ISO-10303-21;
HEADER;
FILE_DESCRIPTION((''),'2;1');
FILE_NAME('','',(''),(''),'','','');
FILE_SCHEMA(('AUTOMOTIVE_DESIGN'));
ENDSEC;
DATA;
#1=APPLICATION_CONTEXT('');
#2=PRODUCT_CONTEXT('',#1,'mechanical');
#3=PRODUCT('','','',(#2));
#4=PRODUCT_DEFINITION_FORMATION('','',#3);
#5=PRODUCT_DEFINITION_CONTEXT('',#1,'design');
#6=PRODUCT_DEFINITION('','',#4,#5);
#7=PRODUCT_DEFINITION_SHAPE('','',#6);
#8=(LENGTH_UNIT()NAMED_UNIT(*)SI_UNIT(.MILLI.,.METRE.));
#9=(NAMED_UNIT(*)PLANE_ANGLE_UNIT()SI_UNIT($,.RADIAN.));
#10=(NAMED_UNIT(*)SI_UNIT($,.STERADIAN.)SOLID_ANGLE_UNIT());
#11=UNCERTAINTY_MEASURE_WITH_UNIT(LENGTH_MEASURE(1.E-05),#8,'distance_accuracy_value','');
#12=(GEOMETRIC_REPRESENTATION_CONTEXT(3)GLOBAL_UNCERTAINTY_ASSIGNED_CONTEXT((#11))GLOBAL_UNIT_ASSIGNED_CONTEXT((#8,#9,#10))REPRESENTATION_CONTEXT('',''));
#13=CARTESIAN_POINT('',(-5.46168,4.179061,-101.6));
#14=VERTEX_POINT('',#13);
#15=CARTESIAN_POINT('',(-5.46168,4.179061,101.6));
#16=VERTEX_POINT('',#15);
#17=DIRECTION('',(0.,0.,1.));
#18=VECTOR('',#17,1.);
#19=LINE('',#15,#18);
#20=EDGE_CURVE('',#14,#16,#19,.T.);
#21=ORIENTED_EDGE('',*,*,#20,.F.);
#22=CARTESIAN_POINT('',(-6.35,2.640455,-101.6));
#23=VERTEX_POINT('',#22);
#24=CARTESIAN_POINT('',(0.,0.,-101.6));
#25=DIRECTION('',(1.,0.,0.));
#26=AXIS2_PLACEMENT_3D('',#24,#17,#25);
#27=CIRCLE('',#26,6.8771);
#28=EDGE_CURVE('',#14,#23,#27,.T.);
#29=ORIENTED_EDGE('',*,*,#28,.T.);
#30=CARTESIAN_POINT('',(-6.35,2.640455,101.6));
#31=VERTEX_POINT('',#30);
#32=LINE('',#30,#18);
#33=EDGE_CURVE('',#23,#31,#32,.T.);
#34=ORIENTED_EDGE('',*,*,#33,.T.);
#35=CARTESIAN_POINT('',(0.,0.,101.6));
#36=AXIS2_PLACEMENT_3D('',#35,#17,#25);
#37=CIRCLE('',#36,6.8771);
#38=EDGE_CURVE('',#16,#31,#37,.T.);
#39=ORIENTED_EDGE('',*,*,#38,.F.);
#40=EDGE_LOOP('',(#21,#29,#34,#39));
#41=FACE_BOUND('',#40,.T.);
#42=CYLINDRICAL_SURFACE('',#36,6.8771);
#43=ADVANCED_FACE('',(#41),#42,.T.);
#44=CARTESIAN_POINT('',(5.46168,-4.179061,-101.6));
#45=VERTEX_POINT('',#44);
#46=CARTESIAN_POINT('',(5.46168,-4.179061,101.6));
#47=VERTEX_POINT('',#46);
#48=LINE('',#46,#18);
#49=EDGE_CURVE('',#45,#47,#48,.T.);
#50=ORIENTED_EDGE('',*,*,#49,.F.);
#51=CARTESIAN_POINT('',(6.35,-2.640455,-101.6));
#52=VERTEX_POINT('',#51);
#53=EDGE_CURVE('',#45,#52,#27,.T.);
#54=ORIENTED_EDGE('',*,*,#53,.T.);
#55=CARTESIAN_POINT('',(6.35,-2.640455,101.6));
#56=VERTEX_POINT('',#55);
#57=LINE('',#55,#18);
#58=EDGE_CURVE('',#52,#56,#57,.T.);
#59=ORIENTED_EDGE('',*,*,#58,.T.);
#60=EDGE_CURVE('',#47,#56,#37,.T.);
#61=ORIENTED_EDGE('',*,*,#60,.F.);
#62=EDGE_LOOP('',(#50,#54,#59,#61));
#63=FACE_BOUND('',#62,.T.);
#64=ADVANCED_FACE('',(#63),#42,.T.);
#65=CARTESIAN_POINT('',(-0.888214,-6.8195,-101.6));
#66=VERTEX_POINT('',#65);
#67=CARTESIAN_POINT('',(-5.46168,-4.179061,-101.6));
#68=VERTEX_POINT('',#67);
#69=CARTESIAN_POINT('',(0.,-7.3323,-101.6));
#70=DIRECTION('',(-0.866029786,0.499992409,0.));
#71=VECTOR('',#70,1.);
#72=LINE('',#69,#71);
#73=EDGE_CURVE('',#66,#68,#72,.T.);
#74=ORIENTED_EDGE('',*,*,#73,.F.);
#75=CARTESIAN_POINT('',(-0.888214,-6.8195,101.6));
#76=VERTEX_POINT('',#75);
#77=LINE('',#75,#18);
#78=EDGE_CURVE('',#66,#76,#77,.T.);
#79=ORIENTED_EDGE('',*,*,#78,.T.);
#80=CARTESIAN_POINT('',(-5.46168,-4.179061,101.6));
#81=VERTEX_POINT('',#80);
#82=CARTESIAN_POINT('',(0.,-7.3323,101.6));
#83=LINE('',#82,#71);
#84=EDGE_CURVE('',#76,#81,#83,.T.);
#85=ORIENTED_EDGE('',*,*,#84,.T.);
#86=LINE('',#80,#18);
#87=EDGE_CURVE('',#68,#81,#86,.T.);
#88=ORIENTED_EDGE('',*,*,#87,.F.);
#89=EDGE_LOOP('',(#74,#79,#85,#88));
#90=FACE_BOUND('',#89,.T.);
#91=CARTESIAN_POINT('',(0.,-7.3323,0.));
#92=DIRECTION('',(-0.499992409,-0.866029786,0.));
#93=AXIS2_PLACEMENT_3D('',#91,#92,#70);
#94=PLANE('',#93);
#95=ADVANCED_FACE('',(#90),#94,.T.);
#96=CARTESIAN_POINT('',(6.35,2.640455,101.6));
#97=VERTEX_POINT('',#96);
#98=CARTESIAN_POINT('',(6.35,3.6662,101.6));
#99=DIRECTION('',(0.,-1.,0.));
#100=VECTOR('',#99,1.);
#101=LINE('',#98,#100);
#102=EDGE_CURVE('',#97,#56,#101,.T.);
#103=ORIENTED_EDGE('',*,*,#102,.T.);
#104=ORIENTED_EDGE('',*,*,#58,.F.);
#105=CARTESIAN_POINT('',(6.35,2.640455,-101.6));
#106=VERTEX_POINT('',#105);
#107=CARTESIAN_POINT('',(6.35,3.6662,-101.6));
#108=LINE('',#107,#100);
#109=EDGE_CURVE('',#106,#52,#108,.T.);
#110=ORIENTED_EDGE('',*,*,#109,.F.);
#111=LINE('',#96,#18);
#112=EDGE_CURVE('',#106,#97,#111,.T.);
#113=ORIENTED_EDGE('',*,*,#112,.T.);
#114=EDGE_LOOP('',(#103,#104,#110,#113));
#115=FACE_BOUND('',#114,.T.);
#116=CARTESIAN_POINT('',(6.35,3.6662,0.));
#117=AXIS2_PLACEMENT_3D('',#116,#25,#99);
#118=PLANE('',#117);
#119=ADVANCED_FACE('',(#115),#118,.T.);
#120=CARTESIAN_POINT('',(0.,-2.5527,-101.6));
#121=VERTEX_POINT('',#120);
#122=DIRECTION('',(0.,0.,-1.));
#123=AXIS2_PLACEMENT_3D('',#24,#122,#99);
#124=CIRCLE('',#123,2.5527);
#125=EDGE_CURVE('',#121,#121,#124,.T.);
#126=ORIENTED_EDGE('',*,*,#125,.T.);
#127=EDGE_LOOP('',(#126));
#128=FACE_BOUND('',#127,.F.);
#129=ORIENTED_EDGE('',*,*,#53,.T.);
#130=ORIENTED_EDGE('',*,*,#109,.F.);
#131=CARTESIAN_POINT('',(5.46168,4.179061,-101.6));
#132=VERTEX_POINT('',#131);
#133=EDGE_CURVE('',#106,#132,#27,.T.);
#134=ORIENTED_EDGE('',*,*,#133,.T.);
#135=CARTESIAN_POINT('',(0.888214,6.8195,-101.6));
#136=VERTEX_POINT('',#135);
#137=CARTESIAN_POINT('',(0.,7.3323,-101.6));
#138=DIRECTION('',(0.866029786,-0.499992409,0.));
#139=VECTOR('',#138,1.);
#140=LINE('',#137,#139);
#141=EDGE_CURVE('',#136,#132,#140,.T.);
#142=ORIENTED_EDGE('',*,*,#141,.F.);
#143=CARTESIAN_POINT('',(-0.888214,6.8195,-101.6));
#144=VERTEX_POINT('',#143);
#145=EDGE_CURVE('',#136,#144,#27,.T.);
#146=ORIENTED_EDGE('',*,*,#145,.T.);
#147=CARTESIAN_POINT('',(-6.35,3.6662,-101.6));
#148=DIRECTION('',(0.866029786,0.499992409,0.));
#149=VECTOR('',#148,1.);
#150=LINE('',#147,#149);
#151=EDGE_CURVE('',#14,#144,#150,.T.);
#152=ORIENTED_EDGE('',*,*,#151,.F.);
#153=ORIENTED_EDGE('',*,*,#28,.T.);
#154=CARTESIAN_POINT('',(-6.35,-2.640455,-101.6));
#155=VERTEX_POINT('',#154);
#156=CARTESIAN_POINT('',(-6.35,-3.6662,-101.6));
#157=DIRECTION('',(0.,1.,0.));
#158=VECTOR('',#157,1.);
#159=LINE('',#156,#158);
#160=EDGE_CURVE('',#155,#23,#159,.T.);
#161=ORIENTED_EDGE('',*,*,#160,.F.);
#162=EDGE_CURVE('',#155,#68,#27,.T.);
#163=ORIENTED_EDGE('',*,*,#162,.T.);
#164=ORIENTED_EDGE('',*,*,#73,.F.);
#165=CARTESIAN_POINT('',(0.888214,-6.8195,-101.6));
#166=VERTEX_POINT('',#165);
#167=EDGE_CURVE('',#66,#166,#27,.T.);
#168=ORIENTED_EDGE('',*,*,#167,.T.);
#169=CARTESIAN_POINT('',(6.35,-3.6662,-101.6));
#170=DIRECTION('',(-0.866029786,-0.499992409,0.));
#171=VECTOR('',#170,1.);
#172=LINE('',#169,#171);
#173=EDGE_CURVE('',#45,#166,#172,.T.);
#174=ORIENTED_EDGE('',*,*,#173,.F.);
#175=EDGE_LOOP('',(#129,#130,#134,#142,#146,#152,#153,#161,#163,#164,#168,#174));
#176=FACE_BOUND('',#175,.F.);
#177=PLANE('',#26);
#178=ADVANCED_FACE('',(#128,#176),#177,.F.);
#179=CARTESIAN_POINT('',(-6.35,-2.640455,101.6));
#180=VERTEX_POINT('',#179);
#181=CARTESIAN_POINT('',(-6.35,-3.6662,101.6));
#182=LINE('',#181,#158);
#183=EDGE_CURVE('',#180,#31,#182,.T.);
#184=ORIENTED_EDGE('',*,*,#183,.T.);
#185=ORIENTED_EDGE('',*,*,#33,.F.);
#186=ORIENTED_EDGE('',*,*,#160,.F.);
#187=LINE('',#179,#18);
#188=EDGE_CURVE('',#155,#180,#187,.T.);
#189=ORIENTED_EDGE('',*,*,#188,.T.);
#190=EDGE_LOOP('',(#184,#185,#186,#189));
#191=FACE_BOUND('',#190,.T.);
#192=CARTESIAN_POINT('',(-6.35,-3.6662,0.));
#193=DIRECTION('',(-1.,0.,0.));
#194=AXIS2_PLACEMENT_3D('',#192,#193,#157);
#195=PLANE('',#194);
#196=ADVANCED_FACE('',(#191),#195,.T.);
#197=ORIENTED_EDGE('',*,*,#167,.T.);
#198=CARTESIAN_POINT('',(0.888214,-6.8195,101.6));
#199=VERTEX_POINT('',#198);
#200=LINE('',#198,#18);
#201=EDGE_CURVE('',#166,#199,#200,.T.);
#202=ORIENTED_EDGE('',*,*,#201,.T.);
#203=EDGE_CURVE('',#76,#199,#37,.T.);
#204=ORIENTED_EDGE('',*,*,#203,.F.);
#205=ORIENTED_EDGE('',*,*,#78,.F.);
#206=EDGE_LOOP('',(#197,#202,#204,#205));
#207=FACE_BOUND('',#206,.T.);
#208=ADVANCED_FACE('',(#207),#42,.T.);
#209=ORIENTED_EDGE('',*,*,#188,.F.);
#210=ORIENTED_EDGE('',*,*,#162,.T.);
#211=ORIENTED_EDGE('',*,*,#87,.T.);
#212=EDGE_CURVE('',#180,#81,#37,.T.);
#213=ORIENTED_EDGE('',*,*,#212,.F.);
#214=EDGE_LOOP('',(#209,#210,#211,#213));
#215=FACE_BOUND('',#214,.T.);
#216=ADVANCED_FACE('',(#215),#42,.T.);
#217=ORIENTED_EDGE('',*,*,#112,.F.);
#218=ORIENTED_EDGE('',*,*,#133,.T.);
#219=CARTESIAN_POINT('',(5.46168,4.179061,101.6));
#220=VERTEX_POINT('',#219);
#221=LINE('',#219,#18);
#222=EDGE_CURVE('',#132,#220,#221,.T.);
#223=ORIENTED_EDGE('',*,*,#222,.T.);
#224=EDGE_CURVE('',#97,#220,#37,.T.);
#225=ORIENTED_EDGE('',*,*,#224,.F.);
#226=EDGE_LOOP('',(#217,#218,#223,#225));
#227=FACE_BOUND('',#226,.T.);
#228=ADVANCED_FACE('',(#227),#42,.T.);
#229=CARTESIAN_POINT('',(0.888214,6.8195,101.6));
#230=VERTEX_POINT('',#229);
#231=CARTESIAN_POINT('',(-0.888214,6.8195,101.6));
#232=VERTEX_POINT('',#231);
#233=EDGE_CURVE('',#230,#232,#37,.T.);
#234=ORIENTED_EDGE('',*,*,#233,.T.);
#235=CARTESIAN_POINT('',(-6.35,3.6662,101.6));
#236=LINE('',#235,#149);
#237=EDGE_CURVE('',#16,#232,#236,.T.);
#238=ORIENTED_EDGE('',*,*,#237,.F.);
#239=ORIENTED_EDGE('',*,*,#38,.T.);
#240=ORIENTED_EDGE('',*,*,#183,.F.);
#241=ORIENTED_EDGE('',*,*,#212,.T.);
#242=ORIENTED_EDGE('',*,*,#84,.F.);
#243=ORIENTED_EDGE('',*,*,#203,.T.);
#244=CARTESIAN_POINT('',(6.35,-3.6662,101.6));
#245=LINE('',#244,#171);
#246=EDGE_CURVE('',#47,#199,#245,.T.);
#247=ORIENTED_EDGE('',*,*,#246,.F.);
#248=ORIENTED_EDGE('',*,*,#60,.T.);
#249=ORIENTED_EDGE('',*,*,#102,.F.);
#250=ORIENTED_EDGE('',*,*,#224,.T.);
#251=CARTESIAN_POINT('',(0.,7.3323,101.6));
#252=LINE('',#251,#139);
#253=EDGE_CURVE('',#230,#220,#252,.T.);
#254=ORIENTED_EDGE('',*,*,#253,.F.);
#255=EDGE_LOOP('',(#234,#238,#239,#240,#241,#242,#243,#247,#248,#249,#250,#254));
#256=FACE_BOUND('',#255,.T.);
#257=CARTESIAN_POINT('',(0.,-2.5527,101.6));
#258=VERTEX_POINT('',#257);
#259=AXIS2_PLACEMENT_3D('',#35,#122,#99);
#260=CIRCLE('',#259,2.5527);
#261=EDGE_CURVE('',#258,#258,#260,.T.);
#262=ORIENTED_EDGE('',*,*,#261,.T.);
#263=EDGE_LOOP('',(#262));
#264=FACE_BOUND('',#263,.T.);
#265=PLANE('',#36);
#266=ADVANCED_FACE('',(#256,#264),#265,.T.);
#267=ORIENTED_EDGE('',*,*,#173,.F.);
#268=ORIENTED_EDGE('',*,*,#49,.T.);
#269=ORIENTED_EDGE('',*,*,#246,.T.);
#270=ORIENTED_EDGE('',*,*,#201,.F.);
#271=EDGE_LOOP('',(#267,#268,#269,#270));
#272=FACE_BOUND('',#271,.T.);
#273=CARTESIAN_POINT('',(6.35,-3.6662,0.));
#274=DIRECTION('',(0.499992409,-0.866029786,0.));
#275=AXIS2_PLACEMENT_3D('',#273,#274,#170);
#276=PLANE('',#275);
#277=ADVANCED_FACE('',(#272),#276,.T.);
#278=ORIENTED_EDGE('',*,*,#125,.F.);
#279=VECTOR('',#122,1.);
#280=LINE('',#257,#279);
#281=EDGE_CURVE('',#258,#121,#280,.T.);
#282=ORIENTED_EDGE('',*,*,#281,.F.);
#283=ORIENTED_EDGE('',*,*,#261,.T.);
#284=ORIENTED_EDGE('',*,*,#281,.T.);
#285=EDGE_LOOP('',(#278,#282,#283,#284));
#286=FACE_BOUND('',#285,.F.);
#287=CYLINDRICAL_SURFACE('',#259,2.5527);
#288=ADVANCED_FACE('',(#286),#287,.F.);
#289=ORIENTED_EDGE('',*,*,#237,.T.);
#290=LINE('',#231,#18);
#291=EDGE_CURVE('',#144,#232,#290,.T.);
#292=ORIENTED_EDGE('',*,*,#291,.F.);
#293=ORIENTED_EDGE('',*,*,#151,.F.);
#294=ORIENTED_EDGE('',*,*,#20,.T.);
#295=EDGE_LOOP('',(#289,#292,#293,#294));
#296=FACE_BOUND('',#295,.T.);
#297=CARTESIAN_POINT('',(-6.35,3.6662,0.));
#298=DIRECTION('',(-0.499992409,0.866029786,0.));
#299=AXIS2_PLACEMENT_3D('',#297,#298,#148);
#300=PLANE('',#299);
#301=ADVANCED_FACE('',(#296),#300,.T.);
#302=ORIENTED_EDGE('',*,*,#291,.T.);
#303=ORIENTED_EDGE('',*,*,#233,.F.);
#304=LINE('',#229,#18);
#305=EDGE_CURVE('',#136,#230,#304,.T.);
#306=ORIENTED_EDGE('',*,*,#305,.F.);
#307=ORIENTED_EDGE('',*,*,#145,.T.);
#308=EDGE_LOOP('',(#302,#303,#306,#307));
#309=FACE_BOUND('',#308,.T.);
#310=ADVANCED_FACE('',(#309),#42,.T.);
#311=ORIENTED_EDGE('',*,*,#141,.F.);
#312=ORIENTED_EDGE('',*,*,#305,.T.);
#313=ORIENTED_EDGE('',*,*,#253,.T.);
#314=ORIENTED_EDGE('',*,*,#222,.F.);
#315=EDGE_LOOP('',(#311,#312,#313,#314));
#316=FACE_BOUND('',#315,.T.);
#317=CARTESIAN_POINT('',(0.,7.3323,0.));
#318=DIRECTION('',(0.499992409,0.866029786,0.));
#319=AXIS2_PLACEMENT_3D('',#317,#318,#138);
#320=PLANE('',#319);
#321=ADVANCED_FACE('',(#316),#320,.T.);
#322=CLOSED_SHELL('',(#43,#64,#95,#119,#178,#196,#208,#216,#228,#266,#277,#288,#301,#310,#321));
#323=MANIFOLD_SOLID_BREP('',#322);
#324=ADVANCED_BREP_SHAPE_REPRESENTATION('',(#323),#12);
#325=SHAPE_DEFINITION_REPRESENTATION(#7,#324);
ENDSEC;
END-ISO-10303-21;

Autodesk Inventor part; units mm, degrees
ref_plane "YZ Plane" through (0, 0, 0) normal (1, 0, 0) x (0, 1, 0)
ref_plane "XZ Plane" through (0, 0, 0) normal (0, 1, 0) x (-1, 0, 0)
ref_plane "XY Plane" through (0, 0, 0) normal (0, 0, 1) x (1, 0, 0)
sketch "Sketch1" plane through (0, 0, 0) normal (0, 0, 1) x (1, 0, 0)
  line L0 (-6.35, -3.6662) -> (-6.35, 3.6662)
  line L1 (-6.35, 3.6662) -> (0, 7.3323)
  line L2 (0, 7.3323) -> (6.35, 3.6662)
  line L3 (6.35, 3.6662) -> (6.35, -3.6662)
  line L4 (6.35, -3.6662) -> (0, -7.3323)
  line L5 (0, -7.3323) -> (-6.35, -3.6662)
  point P0 (0, 0)
  point P1 (0, 0)
  dimension "Size" = 12.7
extrude "Extrusion1" add sketch "Sketch1" along normal mid plane 203.2
sketch "Sketch3" plane through (0, 0, 101.6) normal (0, 0, 1) x (1, 0, 0)
  line L0 (-6.35, 3.6662) -> (0, 7.3323) construction
  line L1 (0, 7.3323) -> (6.35, 3.6662) construction
  line L2 (6.35, 3.6662) -> (6.35, -3.6662) construction
  line L3 (6.35, -3.6662) -> (0, -7.3323) construction
  line L4 (0, -7.3323) -> (-6.35, -3.6662) construction
  line L5 (-6.35, -3.6662) -> (-6.35, 3.6662) construction
  point P0 (0, 0)
hole "Hole1" at (0, 0, 101.6) direction (0, 0, -1) diameter 5.1054 end through all
sketch "Sketch4" plane through (0, 0, 101.6) normal (0, 0, 1) x (1, 0, 0)
  circle A0 centre (0, 0) radius 2.5527 construction
  line L0 (-6.35, 3.6662) -> (0, 7.3323) construction
  line L1 (0, 7.3323) -> (6.35, 3.6662) construction
  line L2 (6.35, 3.6662) -> (6.35, -3.6662) construction
  line L3 (6.35, -3.6662) -> (0, -7.3323) construction
  line L4 (0, -7.3323) -> (-6.35, -3.6662) construction
  line L5 (-6.35, -3.6662) -> (-6.35, 3.6662) construction
  circle A1 centre (0, 0) radius 6.8771
  circle A2 centre (0, 0) radius 8.89
  dimension "thunder" = 13.7541
  dimension "d16" = 17.78
extrude "Extrusion3" cut sketch "Sketch4" against normal through all
equation "\"bearing\" = 25.4"
properties part number "GI - 009" material "Aluminum 6061"
